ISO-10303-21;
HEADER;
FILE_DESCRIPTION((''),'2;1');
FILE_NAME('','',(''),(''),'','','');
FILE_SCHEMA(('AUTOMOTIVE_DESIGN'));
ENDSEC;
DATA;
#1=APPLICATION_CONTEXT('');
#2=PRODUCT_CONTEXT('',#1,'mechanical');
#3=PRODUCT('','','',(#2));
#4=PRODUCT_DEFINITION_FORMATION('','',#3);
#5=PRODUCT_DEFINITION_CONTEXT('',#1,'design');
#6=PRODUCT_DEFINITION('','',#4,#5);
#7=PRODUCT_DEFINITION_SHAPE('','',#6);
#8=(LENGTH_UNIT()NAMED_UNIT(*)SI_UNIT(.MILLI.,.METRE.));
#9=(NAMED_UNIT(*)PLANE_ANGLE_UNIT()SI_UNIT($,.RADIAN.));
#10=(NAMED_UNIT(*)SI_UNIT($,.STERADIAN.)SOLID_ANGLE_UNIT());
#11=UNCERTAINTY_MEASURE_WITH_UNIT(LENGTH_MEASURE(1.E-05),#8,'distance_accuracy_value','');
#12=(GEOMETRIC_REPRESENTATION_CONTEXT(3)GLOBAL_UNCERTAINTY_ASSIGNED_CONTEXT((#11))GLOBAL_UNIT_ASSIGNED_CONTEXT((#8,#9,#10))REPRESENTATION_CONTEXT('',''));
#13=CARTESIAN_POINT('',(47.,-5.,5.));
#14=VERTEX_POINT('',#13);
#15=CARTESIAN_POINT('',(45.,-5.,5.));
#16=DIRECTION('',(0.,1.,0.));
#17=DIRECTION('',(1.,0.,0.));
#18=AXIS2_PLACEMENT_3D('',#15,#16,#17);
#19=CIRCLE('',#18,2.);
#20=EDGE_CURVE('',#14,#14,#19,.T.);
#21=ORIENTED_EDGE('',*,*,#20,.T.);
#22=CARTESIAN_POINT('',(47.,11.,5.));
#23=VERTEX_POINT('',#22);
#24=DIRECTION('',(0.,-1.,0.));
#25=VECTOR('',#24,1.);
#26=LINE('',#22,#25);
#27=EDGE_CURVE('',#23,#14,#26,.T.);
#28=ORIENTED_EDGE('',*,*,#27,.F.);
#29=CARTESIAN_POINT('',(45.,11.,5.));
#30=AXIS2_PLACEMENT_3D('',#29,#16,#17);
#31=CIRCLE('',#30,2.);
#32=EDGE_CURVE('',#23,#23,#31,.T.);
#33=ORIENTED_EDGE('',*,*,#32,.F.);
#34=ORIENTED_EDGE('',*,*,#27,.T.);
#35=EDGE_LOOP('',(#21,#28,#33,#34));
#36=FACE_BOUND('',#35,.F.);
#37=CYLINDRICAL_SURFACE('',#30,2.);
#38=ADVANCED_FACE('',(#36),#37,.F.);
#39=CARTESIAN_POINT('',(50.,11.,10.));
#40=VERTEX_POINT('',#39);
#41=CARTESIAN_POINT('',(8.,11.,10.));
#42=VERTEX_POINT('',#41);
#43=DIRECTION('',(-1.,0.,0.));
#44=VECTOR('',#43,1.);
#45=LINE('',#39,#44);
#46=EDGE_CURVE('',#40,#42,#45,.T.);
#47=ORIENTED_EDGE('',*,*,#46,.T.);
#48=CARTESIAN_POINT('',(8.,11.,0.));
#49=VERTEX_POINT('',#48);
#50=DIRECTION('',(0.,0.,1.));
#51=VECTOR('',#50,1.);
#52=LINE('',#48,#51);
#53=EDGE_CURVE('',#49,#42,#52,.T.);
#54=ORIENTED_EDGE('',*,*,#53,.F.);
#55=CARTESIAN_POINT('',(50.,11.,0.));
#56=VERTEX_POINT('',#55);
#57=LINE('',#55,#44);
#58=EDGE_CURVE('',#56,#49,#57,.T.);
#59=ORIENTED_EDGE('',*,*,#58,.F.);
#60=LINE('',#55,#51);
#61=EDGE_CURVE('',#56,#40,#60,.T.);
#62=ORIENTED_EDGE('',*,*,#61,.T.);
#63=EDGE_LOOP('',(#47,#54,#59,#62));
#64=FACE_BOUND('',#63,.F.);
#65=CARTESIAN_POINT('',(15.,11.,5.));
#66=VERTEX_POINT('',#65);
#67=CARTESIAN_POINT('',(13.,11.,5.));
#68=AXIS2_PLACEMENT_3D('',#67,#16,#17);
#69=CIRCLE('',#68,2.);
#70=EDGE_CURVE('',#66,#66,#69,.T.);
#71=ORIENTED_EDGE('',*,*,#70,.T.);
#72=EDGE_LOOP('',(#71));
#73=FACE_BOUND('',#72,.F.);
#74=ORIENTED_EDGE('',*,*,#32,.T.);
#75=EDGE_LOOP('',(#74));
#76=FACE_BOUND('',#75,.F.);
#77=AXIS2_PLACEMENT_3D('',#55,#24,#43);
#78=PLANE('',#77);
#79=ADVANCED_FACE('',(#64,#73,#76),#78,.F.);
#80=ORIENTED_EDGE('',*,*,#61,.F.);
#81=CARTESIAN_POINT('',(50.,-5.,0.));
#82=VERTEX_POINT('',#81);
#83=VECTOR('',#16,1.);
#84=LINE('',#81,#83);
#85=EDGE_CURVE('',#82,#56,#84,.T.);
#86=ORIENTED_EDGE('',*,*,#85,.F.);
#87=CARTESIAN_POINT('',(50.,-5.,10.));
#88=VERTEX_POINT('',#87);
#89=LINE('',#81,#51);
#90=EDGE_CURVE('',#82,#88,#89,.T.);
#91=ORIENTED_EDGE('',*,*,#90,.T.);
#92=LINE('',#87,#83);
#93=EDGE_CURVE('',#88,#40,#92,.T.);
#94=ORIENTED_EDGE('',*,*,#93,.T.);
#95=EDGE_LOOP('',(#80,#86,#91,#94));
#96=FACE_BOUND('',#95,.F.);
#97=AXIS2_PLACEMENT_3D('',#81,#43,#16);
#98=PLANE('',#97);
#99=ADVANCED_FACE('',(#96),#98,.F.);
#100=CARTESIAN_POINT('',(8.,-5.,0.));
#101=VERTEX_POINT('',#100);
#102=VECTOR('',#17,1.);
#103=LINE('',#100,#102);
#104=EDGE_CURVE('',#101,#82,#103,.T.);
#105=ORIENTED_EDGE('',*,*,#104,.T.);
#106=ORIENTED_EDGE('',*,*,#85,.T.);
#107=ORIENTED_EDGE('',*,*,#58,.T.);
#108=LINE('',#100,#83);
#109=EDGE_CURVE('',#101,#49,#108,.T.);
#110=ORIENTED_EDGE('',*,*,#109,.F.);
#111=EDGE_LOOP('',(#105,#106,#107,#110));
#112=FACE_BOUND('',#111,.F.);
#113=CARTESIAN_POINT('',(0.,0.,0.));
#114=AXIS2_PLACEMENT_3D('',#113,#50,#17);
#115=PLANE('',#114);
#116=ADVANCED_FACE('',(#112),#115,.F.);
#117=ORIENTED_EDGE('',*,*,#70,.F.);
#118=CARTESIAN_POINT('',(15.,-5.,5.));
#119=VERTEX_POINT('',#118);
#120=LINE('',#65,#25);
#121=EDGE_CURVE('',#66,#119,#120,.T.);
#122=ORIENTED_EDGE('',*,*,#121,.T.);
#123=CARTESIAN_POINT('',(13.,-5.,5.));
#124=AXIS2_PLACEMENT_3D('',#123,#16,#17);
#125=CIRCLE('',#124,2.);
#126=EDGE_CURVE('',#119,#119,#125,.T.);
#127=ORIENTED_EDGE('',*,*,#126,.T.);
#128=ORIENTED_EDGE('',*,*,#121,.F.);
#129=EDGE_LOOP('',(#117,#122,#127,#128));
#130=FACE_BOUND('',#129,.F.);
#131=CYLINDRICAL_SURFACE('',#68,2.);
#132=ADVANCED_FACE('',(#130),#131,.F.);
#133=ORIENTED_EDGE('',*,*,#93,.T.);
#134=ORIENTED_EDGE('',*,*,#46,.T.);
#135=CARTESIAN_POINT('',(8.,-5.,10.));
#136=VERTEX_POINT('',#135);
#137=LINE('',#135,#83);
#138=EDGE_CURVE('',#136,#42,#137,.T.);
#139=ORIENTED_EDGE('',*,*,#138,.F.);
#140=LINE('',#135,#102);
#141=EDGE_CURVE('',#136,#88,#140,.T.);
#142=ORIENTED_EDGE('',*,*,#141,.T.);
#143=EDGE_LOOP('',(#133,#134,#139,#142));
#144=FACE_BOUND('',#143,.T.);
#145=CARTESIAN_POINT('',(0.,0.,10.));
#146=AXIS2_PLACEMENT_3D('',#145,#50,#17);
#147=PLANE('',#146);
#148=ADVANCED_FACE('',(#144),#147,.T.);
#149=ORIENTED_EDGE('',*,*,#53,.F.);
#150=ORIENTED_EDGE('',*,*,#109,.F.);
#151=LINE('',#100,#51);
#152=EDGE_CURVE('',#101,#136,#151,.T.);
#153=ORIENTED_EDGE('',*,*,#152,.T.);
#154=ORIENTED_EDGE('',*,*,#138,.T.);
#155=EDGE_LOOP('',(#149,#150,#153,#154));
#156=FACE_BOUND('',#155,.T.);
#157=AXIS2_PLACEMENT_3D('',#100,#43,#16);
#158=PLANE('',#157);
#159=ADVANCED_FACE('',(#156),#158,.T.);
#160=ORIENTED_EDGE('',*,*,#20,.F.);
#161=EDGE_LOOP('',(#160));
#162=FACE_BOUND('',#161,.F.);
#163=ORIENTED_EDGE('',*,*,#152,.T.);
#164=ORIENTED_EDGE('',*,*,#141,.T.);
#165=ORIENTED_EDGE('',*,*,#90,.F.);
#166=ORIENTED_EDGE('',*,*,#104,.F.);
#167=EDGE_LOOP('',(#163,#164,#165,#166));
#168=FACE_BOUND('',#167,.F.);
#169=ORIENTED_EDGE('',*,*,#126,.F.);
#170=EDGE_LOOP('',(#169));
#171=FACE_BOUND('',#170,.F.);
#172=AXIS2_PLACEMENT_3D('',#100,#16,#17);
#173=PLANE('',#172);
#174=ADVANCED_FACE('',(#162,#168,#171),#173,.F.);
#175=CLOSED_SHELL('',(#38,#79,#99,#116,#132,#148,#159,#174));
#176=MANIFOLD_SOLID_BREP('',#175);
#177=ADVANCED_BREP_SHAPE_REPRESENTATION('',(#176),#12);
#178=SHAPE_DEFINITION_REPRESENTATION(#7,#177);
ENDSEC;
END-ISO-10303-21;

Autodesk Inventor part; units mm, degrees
ref_plane "YZ Plane" through (0, 0, 0) normal (1, 0, 0) x (0, 1, 0)
ref_plane "XZ Plane" through (0, 0, 0) normal (0, 1, 0) x (-1, 0, 0)
ref_plane "XY Plane" through (0, 0, 0) normal (0, 0, 1) x (1, 0, 0)
sketch "Sketch1" plane through (0, 0, 0) normal (0, 0, 1) x (1, 0, 0)
  line L0 (50, -5) -> (50, 11)
  line L1 (50, 11) -> (8, 11)
  line L2 (8, -5) -> (8, 11)
  line L3 (8, -5) -> (50, -5)
  dimension "d1" = 16
  dimension "d47" = 42
extrude "Extrusion3" add sketch "Sketch1" along normal blind 10
sketch "Sketch6" plane through (8, 11, 0) normal (0, 1, 0) x (1, 0, 0)
  circle A0 centre (5, -5) radius 2
  circle A1 centre (37, -5) radius 2
  line L0 (42, 0) -> (0, 0) projected
  line L1 (42, 0) -> (42, -10) projected
  line L2 (0, 0) -> (0, -10) projected
  dimension "d48" = 4
  dimension "d49" = 4
  dimension "d50" = 5
  dimension "d51" = 5
  dimension "d52" = 5
  dimension "d53" = 5
extrude "Extrusion7" cut sketch "Sketch6" against normal blind 50
properties part number "Espaciador Sub Inferior" material "Aluminum 6061"
